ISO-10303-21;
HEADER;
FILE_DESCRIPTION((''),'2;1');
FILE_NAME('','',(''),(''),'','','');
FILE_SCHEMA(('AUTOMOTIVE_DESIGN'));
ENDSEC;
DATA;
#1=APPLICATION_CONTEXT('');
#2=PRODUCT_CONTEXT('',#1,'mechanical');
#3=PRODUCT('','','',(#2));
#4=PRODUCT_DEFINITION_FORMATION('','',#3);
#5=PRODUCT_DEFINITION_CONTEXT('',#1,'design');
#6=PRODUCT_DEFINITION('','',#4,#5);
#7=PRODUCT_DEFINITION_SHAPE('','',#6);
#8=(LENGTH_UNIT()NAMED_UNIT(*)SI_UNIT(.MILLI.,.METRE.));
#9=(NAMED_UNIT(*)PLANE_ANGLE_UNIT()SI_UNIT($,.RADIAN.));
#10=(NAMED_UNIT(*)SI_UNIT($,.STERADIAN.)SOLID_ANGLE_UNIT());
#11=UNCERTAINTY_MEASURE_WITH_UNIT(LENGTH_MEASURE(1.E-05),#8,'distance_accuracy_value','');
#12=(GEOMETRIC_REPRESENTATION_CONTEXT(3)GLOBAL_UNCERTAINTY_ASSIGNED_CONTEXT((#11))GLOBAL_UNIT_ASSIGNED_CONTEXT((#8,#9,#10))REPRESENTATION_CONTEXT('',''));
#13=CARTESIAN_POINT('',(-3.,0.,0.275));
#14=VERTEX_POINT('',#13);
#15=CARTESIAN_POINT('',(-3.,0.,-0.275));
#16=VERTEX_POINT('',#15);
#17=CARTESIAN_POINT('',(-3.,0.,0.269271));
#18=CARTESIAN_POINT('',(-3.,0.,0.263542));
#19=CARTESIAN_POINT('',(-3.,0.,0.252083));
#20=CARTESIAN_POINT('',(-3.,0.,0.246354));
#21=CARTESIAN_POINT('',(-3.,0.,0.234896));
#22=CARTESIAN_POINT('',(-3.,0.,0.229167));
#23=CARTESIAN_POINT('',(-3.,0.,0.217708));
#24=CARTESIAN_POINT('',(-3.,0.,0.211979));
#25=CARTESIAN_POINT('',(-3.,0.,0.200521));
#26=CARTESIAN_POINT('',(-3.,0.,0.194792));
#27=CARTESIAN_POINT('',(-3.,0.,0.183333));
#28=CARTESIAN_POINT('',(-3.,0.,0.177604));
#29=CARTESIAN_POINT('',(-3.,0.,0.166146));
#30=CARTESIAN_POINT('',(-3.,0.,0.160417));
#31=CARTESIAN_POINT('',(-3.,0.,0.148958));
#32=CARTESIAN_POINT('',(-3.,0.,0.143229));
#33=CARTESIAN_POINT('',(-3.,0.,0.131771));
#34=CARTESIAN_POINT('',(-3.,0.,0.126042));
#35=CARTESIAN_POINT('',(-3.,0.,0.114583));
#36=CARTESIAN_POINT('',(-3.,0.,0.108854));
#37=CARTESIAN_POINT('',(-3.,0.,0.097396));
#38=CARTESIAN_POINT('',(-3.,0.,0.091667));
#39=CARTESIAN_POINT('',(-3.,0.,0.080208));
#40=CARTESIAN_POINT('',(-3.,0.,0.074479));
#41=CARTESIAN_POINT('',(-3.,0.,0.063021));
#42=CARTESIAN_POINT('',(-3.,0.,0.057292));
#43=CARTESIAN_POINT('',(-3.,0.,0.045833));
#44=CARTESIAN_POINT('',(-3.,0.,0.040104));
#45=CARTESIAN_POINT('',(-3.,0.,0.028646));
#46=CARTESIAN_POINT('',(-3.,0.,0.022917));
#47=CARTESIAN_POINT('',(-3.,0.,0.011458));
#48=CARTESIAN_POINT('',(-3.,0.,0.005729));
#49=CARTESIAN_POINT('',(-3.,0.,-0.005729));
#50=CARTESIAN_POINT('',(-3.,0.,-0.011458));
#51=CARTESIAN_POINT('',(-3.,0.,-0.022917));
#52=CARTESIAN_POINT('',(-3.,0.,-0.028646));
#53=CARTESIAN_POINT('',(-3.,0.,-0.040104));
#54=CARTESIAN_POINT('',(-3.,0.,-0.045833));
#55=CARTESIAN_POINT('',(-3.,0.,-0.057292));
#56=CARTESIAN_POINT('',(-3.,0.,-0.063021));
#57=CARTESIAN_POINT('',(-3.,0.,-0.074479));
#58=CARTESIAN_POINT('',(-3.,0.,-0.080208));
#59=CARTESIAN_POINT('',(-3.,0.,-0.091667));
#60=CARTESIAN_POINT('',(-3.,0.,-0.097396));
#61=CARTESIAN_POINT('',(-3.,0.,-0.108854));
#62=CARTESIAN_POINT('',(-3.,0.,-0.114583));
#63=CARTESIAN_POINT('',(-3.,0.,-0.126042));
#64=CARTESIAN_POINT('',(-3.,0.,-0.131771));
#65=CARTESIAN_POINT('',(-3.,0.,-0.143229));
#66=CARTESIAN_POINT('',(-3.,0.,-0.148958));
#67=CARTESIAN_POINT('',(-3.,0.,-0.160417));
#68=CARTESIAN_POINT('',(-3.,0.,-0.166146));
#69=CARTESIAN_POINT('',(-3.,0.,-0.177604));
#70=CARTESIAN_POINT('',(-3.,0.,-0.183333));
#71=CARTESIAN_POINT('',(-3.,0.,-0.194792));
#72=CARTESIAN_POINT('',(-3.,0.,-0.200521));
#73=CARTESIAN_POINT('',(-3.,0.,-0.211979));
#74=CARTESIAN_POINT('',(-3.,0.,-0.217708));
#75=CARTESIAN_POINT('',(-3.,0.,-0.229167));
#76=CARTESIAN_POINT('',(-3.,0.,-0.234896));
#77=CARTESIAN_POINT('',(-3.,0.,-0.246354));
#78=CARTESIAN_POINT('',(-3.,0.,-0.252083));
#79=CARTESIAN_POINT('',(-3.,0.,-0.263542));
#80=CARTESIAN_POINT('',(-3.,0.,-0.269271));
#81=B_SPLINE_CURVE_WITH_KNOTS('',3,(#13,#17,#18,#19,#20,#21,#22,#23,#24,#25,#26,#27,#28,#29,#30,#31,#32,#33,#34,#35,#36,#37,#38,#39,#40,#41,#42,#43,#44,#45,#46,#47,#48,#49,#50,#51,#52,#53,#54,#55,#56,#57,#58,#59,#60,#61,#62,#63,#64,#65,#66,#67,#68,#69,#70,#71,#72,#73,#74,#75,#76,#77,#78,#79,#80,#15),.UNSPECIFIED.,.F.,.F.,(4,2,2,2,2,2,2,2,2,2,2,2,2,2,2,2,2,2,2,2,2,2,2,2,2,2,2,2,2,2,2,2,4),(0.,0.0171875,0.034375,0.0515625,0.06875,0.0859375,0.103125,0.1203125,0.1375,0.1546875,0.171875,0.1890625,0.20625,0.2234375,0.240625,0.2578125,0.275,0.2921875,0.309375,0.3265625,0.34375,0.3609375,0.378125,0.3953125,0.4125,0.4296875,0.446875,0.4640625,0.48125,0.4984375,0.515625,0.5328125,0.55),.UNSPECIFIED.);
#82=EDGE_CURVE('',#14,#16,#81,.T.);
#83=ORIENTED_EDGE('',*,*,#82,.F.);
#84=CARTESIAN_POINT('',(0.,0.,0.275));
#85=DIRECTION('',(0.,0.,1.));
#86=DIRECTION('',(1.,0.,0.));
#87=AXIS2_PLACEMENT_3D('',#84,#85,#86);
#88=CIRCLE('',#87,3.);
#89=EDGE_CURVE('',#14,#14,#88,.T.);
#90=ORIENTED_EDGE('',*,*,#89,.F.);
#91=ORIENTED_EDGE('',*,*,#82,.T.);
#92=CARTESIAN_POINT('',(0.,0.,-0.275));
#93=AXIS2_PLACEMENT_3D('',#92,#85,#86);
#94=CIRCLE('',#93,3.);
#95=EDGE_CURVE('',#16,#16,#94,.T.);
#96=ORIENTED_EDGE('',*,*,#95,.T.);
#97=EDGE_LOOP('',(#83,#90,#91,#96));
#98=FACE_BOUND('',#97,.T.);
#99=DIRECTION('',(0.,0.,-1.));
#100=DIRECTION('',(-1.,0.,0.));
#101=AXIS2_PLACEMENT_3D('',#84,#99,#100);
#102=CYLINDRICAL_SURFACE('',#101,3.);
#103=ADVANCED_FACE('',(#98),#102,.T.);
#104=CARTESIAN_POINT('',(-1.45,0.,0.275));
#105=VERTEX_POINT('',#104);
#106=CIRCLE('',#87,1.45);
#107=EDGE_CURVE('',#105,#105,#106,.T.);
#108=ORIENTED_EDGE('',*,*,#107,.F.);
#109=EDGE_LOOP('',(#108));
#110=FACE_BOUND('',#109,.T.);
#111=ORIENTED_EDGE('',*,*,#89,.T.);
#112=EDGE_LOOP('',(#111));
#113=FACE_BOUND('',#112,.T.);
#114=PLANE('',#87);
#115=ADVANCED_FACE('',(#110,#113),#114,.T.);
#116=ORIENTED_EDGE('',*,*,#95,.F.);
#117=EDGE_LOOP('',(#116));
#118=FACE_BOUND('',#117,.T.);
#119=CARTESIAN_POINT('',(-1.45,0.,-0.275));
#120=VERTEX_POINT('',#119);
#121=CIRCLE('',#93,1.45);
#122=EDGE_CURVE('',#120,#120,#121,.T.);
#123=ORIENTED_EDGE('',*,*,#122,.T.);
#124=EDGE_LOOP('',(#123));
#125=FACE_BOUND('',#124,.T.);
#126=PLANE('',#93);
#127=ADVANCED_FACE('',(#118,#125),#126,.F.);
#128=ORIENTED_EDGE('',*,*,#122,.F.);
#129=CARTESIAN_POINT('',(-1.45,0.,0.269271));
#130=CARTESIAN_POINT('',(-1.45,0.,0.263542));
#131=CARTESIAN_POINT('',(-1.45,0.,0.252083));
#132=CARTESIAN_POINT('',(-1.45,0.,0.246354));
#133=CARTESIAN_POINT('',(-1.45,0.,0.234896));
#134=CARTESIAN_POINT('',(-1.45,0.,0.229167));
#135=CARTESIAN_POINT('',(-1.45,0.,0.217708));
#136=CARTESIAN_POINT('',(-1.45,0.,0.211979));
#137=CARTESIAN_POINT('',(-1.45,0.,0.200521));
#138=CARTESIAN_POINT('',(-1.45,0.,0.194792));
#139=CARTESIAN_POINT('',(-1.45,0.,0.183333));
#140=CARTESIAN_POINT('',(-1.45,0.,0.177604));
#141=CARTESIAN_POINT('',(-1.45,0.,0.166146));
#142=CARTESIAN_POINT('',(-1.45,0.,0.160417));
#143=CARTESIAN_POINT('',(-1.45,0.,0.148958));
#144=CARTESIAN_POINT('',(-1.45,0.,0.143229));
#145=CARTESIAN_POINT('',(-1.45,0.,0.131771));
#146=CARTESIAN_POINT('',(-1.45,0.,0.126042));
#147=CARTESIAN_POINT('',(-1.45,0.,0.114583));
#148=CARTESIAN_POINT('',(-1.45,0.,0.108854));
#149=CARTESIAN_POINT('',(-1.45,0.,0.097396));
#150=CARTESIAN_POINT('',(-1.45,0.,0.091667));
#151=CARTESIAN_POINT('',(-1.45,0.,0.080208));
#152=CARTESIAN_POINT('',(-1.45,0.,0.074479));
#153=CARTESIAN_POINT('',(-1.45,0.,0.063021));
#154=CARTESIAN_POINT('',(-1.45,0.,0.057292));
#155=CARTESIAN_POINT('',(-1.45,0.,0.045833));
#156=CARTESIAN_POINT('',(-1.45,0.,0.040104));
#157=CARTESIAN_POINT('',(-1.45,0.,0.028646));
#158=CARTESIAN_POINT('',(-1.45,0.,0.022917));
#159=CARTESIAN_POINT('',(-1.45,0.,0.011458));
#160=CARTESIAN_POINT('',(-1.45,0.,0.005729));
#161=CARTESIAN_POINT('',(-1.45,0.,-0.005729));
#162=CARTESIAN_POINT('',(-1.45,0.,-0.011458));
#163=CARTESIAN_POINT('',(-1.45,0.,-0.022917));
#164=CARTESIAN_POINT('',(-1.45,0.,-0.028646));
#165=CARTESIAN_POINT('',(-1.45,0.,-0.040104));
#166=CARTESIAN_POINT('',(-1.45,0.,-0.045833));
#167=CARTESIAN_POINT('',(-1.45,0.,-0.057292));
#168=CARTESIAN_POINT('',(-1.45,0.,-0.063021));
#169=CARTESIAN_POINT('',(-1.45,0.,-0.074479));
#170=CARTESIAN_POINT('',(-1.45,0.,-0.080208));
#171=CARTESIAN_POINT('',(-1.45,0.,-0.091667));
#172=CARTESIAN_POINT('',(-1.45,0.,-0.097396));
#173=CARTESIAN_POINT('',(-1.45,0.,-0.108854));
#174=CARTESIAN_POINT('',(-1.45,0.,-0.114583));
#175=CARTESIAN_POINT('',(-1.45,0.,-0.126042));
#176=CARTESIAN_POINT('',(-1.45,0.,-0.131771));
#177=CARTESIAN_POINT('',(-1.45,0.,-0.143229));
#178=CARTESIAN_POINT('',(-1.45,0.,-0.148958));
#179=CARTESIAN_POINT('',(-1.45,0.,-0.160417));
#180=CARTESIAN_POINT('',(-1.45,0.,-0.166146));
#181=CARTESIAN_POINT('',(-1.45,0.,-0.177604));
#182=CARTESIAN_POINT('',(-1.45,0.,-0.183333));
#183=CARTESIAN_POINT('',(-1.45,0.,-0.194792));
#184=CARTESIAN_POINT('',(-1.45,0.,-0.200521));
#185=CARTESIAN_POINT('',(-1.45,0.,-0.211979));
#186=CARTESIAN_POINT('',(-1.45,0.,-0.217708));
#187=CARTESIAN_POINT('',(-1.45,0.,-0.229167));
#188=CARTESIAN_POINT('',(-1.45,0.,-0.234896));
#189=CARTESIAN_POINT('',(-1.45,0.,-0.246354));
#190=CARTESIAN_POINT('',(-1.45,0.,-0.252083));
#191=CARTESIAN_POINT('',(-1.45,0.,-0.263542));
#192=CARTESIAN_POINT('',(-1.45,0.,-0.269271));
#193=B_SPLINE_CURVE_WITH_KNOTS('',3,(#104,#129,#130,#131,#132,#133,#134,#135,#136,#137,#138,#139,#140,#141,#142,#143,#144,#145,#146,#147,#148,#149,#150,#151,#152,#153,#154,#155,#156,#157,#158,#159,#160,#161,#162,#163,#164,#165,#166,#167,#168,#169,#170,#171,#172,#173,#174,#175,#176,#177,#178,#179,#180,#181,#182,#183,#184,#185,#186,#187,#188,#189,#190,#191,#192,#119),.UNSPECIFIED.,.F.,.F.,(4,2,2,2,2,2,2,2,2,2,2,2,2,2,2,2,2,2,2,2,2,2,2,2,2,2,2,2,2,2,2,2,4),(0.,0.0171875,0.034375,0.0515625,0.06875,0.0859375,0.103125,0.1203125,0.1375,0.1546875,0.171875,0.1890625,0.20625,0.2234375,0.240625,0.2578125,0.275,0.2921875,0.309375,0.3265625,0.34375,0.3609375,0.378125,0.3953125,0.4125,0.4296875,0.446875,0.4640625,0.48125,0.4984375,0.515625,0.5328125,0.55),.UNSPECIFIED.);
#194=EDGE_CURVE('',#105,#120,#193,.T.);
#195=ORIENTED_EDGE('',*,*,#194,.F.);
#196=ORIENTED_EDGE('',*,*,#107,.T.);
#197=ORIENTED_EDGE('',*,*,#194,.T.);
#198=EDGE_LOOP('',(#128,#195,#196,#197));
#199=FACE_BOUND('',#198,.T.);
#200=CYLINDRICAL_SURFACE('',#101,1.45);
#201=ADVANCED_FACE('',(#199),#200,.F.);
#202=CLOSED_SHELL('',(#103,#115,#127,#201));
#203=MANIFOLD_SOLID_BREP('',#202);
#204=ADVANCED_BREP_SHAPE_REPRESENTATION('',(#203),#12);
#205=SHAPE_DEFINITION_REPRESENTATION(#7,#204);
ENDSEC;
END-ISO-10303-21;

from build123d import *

# Parameters (mm, degrees)
BOSS_EXTRUDE1_DEPTH      = 0.275
BOSS_EXTRUDE1_DEPTH_BACK = 0.275
SKETCH3_R                = 3
SKETCH3_R_2              = 1.45


with BuildPart() as part:
    # Sketch3 → Boss-Extrude1 (new, two sides: drawn at the far end of the back side and taken through both)
    with BuildSketch(Plane.XY.offset(-BOSS_EXTRUDE1_DEPTH_BACK)):
        with Locations(Location((0, 0, 0), (0, 0, 180))):
            Circle(SKETCH3_R)
        with Locations(Location((0, 0, 0), (0, 0, 180))):
            Circle(SKETCH3_R_2, mode=Mode.SUBTRACT)
    extrude(amount=BOSS_EXTRUDE1_DEPTH + BOSS_EXTRUDE1_DEPTH_BACK)


solid = part.part
